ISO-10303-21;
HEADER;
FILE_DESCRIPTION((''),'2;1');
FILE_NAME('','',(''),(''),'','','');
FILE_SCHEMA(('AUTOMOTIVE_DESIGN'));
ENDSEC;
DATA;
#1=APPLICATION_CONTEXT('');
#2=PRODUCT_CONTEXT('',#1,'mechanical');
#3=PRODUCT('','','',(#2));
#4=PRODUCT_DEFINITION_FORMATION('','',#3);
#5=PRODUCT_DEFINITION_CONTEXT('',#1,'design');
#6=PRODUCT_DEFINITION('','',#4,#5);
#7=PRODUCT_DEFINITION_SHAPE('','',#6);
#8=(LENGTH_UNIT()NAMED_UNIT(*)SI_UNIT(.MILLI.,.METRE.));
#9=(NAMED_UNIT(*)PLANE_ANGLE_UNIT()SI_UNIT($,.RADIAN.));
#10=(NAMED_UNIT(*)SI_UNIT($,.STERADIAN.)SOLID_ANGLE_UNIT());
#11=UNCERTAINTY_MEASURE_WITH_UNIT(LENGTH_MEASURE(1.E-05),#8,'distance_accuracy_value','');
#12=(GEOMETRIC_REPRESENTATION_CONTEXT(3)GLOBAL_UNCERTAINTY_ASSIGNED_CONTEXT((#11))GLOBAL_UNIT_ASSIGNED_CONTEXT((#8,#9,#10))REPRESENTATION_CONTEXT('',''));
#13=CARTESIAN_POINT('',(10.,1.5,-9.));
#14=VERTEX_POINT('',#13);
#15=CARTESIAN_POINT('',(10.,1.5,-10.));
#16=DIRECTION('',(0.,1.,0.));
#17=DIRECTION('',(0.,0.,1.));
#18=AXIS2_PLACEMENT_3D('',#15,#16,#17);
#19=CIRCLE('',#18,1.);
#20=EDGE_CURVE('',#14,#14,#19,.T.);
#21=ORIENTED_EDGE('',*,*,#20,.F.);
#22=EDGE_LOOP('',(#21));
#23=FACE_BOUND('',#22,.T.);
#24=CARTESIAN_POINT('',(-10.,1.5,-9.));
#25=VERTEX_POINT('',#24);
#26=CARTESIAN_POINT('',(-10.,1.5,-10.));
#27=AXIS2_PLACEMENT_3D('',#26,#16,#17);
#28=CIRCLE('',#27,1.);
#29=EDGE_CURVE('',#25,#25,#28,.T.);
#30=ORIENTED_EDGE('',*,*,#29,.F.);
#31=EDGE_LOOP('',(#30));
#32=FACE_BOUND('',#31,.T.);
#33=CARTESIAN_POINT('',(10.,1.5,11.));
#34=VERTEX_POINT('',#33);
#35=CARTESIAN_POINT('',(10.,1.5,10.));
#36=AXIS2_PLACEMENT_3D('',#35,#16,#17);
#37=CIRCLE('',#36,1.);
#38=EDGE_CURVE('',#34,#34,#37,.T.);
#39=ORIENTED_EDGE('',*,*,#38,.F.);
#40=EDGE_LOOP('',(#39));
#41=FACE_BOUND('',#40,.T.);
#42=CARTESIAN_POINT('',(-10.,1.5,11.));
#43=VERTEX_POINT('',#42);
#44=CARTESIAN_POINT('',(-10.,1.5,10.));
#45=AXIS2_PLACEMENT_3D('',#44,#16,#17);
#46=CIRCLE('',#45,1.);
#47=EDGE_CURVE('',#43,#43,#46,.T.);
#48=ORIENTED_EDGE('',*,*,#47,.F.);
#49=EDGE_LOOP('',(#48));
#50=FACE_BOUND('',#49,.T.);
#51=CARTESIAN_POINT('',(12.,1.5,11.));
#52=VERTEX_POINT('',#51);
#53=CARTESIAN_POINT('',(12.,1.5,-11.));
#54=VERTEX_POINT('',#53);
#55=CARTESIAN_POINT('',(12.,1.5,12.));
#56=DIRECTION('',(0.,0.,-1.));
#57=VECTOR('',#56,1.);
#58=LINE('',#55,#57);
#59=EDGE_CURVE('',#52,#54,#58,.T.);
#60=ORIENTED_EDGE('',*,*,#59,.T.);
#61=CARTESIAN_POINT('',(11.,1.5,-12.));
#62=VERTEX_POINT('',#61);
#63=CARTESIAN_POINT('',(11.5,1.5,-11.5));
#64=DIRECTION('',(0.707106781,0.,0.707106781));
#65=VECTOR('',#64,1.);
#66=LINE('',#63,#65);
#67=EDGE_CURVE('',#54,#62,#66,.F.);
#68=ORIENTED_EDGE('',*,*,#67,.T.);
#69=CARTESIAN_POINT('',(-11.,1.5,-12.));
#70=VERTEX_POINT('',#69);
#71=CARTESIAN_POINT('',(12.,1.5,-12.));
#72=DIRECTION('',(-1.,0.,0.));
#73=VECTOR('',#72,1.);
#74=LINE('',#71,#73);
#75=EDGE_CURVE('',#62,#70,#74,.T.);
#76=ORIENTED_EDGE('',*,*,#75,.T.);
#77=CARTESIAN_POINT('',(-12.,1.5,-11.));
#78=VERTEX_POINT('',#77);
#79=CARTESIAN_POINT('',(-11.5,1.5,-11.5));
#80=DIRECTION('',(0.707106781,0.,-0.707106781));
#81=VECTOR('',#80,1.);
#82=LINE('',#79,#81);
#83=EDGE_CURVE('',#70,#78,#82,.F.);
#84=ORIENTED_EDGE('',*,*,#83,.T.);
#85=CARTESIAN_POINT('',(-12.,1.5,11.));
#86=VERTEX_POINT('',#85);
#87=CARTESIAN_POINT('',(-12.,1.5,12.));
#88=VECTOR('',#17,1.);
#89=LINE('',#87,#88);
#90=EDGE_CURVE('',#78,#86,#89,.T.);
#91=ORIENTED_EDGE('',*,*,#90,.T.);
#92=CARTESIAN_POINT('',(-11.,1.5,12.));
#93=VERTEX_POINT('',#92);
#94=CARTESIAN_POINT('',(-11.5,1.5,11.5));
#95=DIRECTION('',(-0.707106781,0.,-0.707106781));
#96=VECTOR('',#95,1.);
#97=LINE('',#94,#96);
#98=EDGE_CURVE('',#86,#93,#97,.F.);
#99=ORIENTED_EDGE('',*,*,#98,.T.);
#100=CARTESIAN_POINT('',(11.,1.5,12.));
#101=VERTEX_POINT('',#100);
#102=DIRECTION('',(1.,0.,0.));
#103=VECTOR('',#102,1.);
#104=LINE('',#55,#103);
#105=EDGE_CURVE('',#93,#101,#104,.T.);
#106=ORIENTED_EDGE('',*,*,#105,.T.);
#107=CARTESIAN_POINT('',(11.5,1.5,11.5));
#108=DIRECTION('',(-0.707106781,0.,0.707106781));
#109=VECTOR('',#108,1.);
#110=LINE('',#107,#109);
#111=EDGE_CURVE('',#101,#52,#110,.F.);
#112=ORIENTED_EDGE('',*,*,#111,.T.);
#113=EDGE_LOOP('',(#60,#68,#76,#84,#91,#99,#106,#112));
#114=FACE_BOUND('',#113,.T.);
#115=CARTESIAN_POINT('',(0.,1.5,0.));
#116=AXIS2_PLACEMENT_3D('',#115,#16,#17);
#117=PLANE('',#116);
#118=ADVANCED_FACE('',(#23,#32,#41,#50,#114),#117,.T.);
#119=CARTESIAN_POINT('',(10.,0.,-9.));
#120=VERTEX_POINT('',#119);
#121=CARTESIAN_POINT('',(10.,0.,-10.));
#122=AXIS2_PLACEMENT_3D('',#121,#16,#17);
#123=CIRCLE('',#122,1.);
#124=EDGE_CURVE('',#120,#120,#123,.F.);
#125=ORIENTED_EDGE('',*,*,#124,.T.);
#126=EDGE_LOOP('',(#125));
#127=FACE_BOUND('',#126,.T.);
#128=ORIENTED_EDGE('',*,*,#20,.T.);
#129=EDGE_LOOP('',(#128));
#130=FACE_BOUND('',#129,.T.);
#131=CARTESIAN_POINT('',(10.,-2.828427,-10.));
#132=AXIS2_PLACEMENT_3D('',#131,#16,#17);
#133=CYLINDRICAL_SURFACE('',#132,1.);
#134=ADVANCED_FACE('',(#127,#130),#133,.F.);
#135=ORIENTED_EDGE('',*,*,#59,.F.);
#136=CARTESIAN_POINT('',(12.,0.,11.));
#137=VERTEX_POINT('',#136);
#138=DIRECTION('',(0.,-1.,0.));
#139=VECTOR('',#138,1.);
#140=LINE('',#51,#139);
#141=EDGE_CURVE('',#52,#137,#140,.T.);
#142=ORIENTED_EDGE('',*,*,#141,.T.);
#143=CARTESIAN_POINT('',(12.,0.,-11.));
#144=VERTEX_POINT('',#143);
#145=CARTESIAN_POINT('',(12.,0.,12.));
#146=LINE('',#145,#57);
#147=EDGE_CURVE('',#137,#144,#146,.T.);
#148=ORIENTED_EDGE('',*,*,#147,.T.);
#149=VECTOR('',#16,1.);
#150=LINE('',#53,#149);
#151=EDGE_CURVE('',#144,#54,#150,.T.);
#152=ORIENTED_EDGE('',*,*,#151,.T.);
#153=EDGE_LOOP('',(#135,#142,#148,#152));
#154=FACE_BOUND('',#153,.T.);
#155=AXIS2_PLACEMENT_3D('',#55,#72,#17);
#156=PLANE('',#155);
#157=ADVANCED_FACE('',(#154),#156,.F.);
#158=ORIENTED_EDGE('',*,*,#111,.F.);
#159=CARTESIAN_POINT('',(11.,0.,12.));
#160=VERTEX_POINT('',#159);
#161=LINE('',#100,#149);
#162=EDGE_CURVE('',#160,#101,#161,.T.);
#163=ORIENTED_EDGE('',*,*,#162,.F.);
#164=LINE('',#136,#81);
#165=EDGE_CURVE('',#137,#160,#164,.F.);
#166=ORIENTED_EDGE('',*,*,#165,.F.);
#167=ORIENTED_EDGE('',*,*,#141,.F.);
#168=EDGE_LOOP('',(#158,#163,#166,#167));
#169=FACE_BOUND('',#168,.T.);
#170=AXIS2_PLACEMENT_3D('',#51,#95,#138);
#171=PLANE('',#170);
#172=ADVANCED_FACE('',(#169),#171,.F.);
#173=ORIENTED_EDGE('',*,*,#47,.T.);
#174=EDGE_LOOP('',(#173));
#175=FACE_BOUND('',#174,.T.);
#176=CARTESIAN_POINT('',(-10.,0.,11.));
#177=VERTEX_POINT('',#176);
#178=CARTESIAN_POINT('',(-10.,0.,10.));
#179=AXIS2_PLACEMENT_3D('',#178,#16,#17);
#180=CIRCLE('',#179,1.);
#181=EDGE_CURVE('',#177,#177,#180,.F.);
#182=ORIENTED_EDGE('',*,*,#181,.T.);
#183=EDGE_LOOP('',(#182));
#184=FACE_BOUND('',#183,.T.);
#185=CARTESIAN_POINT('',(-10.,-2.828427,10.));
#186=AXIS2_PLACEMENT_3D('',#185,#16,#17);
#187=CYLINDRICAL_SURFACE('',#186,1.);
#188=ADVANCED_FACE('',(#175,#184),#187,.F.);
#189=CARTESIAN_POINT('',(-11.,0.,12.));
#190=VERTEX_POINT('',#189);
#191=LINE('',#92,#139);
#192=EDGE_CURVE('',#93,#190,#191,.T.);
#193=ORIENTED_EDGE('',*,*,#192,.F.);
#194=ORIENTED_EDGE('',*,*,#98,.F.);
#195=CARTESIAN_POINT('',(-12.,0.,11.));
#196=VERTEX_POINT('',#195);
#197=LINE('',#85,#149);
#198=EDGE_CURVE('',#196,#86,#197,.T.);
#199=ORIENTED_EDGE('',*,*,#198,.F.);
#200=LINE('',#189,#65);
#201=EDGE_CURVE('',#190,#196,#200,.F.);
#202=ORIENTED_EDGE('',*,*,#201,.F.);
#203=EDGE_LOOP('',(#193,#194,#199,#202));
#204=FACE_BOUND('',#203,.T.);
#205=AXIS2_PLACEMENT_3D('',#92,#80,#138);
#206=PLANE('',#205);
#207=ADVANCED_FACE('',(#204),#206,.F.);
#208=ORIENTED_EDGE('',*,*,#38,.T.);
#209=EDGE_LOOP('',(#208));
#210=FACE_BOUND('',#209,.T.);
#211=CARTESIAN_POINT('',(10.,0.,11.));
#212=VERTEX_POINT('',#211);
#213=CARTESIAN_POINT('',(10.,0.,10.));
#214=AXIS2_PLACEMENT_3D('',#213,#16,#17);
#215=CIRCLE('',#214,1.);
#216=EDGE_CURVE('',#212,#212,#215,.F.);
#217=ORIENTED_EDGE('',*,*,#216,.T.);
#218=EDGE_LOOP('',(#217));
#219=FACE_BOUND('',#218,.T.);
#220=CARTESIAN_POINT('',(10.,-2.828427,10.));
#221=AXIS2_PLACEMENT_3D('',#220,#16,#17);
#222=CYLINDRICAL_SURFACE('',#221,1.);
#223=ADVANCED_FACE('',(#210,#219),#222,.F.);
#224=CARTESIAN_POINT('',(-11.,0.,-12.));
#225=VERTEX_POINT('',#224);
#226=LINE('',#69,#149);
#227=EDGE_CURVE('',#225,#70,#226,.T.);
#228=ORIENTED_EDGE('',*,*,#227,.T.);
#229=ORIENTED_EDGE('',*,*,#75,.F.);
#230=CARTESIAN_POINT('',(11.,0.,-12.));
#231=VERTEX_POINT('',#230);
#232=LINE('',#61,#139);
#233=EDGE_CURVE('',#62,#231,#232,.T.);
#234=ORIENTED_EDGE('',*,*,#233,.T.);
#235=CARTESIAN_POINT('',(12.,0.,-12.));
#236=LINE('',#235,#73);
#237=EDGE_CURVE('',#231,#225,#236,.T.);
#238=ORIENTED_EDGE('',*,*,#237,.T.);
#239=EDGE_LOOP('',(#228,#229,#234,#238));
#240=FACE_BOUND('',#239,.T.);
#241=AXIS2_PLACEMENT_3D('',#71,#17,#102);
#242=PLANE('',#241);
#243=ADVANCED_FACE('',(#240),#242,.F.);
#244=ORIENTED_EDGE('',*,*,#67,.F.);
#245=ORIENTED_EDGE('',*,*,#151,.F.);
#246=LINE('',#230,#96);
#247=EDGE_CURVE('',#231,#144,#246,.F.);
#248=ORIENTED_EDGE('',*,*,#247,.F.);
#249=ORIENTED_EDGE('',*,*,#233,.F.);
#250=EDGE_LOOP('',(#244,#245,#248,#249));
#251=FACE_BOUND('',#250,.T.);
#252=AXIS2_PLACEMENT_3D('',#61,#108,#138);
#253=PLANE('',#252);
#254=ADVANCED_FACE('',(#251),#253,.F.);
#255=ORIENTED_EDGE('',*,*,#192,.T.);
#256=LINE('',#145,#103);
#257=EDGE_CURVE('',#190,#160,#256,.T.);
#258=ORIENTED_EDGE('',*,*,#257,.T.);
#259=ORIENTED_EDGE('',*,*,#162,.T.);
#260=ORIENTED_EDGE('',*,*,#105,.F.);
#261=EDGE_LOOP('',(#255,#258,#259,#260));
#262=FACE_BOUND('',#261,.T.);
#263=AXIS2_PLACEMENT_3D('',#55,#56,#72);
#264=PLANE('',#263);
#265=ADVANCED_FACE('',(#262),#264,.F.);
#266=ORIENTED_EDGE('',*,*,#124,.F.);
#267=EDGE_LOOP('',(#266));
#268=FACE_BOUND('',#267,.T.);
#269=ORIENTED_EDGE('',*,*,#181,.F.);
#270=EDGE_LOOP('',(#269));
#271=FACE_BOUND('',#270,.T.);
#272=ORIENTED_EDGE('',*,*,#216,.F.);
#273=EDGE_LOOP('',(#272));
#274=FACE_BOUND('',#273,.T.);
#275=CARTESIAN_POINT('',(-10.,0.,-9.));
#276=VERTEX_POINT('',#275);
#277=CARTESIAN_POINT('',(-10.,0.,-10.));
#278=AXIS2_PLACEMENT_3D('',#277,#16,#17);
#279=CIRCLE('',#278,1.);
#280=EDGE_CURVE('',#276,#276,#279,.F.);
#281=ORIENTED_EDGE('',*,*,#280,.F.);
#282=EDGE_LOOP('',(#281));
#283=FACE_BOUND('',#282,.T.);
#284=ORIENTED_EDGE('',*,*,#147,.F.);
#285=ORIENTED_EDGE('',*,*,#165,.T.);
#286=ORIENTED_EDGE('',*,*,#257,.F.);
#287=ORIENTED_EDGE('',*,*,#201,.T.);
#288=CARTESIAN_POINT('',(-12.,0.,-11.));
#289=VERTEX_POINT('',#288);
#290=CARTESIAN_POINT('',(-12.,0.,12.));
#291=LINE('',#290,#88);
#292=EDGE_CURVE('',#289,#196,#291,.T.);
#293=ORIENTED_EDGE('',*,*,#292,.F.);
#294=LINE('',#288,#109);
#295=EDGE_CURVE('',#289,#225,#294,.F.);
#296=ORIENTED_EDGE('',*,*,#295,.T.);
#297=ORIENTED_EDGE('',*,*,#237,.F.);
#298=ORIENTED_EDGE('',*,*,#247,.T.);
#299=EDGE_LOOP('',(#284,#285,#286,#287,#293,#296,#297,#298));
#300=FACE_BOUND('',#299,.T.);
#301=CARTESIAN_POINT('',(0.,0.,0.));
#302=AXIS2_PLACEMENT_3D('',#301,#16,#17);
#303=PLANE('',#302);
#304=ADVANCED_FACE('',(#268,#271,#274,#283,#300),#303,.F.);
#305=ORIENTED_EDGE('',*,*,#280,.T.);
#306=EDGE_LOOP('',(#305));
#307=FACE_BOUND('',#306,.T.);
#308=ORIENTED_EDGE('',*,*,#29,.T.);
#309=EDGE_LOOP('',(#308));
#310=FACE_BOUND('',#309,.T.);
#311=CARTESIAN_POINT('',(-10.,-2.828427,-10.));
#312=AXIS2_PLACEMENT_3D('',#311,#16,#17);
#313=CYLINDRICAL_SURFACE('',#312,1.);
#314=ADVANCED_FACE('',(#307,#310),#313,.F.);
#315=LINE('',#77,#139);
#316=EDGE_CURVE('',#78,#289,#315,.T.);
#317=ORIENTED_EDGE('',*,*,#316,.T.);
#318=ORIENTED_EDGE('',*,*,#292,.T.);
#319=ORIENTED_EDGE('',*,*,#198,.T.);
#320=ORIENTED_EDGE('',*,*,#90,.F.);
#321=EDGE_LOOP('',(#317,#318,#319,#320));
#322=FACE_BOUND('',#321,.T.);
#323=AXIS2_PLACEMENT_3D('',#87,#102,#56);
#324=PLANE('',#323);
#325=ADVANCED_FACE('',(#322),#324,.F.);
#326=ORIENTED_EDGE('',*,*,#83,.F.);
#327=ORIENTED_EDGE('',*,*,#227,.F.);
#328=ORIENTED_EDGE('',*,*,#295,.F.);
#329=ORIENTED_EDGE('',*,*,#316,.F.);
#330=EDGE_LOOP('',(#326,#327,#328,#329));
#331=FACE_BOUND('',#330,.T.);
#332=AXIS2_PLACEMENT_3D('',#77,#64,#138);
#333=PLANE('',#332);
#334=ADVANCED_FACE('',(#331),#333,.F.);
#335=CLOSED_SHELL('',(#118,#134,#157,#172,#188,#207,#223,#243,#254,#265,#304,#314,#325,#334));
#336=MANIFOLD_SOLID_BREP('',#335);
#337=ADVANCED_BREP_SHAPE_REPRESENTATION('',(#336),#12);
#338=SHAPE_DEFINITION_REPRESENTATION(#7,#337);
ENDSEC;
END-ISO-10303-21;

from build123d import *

# Parameters (mm, degrees)
SKETCH1_W           = 24
SKETCH1_H           = 24
BOSS_EXTRUDE1_DEPTH = 1.5
CHAMFER1_SIZE       = 1
SKETCH2_R           = 1
CUT_EXTRUDE1_DEPTH  = 1.5


with BuildPart() as part:
    # Sketch1 → Boss-Extrude1 (new body)
    with BuildSketch(Plane(origin=(0, 0, 0), x_dir=(1, 0, 0), z_dir=(0, 1, 0))):
        Rectangle(SKETCH1_W, SKETCH1_H)
    extrude(amount=BOSS_EXTRUDE1_DEPTH)

    # Chamfer1
    chamfer1_edges = [part.edges().sort_by_distance(p)[0] for p in [
        (-12, 0.75, -12),
        (12, 0.75, -12),
        (12, 0.75, 12),
        (-12, 0.75, 12),
    ]]
    chamfer(chamfer1_edges, length=CHAMFER1_SIZE)

    # Sketch2 → Cut-Extrude1 (cut)
    with BuildSketch(Plane(origin=(0, 1.5, 0), x_dir=(1, 0, 0), z_dir=(0, 1, 0))):
        with Locations(Location((-10, 10, 0), (0, 0, 270))):
            Circle(SKETCH2_R)
        with Locations(Location((10, 10, 0), (0, 0, 270))):
            Circle(SKETCH2_R)
        with Locations(Location((10, -10, 0), (0, 0, 270))):
            Circle(SKETCH2_R)
        with Locations(Location((-10, -10, 0), (0, 0, 270))):
            Circle(SKETCH2_R)
    extrude(amount=-CUT_EXTRUDE1_DEPTH, mode=Mode.SUBTRACT)


solid = part.part
